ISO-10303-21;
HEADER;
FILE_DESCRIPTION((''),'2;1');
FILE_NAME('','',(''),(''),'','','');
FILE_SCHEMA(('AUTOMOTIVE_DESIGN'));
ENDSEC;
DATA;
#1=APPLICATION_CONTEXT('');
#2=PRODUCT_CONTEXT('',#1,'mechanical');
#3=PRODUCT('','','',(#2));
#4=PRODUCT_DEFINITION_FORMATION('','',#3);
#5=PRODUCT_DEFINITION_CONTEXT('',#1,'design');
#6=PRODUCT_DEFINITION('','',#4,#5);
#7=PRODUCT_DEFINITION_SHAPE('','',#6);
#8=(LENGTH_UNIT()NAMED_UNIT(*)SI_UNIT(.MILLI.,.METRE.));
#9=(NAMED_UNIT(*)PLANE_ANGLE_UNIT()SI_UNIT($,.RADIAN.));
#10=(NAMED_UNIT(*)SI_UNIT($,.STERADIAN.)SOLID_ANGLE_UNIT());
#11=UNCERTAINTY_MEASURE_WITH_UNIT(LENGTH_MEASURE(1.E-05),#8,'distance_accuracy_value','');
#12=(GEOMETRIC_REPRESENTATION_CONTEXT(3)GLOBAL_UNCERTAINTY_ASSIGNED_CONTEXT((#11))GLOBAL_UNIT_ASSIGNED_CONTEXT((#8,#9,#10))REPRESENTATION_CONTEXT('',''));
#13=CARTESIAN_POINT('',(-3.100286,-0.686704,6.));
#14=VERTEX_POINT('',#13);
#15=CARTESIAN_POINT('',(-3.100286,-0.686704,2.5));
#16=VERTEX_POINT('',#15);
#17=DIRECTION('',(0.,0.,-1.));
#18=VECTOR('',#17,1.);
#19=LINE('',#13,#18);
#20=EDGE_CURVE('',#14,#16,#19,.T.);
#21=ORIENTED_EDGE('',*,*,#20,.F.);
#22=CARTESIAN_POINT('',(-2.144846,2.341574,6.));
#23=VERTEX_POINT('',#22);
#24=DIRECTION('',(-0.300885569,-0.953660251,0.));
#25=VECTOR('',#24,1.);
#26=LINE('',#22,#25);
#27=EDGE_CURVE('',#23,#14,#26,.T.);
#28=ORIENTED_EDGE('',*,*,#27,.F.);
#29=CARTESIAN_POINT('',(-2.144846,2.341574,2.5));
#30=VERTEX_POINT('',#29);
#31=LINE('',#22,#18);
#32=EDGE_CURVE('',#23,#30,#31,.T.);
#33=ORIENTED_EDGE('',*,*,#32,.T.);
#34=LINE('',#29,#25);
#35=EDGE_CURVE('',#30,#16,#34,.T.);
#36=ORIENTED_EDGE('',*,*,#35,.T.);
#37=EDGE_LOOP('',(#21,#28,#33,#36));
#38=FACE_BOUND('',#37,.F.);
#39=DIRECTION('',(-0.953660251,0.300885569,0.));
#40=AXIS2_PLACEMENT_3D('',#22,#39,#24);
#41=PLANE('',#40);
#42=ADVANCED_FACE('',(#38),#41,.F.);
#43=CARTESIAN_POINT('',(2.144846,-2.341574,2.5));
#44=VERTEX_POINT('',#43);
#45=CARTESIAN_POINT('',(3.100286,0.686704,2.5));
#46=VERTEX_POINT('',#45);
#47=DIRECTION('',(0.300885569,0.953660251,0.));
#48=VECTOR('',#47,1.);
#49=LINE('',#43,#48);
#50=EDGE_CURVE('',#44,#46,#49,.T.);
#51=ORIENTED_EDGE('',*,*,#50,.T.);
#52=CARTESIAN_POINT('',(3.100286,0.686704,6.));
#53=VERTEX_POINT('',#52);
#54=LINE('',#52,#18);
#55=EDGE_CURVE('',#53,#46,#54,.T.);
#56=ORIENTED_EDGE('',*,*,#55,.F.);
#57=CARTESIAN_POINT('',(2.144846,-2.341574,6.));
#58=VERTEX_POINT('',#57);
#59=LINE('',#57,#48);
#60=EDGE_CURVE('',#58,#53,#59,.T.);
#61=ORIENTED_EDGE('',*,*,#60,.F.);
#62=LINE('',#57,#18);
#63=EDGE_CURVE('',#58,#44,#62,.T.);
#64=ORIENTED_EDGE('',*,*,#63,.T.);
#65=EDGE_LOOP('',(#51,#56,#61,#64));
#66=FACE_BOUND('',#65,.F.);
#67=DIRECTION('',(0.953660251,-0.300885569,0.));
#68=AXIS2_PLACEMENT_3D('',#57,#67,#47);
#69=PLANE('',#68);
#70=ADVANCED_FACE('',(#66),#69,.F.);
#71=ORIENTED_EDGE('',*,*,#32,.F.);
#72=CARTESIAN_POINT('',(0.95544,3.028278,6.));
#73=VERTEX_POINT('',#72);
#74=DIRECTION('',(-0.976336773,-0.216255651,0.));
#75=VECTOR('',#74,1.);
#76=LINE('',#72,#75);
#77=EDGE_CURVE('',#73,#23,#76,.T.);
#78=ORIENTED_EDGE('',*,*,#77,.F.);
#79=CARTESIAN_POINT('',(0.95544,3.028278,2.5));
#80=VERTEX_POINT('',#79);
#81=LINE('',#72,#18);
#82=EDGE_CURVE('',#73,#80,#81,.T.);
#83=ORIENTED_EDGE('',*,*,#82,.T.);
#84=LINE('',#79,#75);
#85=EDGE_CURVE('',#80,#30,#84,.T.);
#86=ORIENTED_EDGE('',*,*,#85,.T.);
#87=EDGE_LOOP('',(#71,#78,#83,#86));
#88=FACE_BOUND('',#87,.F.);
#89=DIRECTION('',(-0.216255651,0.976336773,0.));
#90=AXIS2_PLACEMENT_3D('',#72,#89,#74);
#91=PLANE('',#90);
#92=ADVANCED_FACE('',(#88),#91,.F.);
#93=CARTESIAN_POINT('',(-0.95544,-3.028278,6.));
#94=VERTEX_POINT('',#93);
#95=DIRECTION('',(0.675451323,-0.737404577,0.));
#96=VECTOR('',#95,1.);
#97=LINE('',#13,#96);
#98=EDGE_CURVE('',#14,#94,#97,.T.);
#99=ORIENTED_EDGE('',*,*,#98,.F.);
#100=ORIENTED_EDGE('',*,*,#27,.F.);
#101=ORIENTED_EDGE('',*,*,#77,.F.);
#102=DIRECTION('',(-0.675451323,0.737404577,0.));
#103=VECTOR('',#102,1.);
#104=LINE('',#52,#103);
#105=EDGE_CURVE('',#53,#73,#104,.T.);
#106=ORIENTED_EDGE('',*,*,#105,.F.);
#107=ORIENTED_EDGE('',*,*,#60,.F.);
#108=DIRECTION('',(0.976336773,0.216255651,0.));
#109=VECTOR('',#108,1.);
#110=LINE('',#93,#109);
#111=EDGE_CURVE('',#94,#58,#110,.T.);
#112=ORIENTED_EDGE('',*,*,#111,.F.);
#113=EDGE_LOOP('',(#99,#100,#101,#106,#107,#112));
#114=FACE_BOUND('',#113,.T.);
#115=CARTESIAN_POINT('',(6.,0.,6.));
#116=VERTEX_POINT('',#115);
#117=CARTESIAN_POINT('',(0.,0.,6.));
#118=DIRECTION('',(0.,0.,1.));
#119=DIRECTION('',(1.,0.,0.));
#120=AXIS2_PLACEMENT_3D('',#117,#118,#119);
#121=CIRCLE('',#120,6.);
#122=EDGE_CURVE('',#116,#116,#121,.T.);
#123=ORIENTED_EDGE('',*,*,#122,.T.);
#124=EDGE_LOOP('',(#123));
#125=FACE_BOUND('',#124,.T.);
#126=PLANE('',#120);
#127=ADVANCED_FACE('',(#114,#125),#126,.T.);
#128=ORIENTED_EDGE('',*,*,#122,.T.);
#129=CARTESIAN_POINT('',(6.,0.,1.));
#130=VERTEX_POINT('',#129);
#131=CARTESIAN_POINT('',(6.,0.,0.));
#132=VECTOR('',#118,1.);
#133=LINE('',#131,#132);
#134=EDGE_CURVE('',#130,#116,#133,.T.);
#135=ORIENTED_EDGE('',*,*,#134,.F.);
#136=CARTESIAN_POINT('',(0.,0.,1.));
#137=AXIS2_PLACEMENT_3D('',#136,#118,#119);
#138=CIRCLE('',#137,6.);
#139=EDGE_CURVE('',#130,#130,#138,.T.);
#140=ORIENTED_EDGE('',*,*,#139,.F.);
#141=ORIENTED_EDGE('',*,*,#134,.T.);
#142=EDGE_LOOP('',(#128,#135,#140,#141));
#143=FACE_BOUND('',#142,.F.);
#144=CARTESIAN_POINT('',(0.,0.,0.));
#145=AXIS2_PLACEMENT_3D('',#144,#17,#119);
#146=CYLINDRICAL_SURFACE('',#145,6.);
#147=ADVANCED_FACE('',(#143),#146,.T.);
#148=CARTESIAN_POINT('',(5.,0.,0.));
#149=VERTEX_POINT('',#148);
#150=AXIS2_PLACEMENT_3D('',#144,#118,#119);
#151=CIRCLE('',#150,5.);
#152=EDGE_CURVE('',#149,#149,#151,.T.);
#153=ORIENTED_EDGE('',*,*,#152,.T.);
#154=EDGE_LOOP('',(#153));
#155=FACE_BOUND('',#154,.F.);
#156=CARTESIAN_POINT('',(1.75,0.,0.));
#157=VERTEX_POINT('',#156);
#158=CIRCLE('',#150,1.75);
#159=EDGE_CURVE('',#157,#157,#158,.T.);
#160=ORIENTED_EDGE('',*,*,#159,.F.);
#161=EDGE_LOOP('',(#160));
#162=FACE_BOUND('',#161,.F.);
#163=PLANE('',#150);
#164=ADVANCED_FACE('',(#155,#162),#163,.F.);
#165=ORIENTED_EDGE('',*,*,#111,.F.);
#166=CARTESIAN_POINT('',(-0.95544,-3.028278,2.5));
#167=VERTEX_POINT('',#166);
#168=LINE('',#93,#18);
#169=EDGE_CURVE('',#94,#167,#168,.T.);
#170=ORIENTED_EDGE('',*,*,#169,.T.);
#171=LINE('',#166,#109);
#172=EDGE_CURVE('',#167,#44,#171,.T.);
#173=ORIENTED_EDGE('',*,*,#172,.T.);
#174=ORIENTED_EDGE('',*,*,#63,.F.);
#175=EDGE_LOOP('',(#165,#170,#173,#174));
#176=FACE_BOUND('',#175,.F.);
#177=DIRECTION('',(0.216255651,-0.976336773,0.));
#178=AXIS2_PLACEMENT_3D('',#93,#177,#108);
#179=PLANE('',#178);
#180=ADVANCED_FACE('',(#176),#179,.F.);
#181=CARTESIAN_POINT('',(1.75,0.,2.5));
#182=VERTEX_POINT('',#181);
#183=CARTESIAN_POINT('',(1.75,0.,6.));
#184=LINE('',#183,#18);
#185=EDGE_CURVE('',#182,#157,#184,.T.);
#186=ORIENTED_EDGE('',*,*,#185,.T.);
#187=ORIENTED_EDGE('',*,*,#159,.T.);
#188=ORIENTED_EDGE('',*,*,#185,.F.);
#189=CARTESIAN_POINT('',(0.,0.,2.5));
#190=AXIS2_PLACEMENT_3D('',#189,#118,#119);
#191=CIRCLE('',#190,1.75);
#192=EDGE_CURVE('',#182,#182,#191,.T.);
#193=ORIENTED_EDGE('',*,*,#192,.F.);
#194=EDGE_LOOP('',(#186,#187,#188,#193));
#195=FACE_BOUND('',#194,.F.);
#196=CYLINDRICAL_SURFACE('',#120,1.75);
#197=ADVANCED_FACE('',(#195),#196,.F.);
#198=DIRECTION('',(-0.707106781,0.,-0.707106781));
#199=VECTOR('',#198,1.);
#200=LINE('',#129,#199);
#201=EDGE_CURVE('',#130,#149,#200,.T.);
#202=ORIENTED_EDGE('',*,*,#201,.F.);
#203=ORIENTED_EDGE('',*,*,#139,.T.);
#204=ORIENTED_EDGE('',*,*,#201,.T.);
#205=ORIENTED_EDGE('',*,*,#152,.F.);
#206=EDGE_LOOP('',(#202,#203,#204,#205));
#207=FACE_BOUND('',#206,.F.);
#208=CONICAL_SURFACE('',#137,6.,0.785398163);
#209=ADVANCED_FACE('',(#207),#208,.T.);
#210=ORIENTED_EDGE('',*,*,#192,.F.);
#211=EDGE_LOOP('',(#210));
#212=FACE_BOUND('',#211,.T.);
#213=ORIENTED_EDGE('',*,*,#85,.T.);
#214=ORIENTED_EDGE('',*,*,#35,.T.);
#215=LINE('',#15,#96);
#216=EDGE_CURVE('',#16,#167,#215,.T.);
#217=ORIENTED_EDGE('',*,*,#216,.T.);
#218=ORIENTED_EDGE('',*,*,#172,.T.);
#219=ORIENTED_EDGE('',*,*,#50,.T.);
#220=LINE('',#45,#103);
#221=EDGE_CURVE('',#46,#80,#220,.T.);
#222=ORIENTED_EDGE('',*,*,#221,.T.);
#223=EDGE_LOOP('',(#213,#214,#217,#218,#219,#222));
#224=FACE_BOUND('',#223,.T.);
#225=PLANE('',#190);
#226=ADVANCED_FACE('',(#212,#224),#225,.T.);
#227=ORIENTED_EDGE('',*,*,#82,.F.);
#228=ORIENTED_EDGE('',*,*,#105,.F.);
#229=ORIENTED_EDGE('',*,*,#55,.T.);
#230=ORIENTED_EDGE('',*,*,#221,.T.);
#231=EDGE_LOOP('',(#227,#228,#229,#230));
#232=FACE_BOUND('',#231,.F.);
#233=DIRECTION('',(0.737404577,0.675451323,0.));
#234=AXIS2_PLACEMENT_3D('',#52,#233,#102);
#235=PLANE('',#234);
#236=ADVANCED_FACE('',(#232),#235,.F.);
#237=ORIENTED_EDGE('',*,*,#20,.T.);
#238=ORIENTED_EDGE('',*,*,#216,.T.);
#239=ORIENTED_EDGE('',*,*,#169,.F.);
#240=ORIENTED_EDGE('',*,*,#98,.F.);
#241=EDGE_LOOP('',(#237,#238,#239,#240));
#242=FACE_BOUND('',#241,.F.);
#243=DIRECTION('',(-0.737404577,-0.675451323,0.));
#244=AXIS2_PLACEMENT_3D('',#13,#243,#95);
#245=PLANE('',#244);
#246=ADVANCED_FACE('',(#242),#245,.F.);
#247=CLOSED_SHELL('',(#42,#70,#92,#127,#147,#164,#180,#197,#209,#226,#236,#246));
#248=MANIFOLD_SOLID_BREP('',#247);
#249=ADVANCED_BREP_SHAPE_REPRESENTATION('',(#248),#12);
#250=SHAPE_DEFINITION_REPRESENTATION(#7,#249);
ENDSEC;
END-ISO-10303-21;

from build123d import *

# Parameters (mm, degrees)
SKETCH_R        = 6
PAD_DEPTH       = 6
SKETCH001_R     = 1.75
POCKET_DEPTH    = 6.001
POCKET001_DEPTH = 3.5
CHAMFER_SIZE    = 1


with BuildPart() as part:
    # Sketch → Pad (new body)
    with BuildSketch(Plane.XY):
        Circle(SKETCH_R)
    extrude(amount=PAD_DEPTH)

    # Sketch001 → Pocket (cut, through all)
    with BuildSketch(Plane.XY.offset(6)):
        Circle(SKETCH001_R)
    extrude(amount=-POCKET_DEPTH, mode=Mode.SUBTRACT)

    # Sketch002 → Pocket001 (cut)
    with BuildSketch(Plane.XY.offset(6)):
        Polygon((2.144846, -2.341574), (3.100286, 0.686704), (0.95544, 3.028278), (-2.144846, 2.341574), (-3.100286, -0.686704), (-0.95544, -3.028278), align=None)
    extrude(amount=-POCKET001_DEPTH, mode=Mode.SUBTRACT)

    # Chamfer
    chamfer_edges = [part.edges().sort_by_distance(p)[0] for p in [
        (-6, 0, 0),
    ]]
    chamfer(chamfer_edges, length=CHAMFER_SIZE)


solid = part.part
